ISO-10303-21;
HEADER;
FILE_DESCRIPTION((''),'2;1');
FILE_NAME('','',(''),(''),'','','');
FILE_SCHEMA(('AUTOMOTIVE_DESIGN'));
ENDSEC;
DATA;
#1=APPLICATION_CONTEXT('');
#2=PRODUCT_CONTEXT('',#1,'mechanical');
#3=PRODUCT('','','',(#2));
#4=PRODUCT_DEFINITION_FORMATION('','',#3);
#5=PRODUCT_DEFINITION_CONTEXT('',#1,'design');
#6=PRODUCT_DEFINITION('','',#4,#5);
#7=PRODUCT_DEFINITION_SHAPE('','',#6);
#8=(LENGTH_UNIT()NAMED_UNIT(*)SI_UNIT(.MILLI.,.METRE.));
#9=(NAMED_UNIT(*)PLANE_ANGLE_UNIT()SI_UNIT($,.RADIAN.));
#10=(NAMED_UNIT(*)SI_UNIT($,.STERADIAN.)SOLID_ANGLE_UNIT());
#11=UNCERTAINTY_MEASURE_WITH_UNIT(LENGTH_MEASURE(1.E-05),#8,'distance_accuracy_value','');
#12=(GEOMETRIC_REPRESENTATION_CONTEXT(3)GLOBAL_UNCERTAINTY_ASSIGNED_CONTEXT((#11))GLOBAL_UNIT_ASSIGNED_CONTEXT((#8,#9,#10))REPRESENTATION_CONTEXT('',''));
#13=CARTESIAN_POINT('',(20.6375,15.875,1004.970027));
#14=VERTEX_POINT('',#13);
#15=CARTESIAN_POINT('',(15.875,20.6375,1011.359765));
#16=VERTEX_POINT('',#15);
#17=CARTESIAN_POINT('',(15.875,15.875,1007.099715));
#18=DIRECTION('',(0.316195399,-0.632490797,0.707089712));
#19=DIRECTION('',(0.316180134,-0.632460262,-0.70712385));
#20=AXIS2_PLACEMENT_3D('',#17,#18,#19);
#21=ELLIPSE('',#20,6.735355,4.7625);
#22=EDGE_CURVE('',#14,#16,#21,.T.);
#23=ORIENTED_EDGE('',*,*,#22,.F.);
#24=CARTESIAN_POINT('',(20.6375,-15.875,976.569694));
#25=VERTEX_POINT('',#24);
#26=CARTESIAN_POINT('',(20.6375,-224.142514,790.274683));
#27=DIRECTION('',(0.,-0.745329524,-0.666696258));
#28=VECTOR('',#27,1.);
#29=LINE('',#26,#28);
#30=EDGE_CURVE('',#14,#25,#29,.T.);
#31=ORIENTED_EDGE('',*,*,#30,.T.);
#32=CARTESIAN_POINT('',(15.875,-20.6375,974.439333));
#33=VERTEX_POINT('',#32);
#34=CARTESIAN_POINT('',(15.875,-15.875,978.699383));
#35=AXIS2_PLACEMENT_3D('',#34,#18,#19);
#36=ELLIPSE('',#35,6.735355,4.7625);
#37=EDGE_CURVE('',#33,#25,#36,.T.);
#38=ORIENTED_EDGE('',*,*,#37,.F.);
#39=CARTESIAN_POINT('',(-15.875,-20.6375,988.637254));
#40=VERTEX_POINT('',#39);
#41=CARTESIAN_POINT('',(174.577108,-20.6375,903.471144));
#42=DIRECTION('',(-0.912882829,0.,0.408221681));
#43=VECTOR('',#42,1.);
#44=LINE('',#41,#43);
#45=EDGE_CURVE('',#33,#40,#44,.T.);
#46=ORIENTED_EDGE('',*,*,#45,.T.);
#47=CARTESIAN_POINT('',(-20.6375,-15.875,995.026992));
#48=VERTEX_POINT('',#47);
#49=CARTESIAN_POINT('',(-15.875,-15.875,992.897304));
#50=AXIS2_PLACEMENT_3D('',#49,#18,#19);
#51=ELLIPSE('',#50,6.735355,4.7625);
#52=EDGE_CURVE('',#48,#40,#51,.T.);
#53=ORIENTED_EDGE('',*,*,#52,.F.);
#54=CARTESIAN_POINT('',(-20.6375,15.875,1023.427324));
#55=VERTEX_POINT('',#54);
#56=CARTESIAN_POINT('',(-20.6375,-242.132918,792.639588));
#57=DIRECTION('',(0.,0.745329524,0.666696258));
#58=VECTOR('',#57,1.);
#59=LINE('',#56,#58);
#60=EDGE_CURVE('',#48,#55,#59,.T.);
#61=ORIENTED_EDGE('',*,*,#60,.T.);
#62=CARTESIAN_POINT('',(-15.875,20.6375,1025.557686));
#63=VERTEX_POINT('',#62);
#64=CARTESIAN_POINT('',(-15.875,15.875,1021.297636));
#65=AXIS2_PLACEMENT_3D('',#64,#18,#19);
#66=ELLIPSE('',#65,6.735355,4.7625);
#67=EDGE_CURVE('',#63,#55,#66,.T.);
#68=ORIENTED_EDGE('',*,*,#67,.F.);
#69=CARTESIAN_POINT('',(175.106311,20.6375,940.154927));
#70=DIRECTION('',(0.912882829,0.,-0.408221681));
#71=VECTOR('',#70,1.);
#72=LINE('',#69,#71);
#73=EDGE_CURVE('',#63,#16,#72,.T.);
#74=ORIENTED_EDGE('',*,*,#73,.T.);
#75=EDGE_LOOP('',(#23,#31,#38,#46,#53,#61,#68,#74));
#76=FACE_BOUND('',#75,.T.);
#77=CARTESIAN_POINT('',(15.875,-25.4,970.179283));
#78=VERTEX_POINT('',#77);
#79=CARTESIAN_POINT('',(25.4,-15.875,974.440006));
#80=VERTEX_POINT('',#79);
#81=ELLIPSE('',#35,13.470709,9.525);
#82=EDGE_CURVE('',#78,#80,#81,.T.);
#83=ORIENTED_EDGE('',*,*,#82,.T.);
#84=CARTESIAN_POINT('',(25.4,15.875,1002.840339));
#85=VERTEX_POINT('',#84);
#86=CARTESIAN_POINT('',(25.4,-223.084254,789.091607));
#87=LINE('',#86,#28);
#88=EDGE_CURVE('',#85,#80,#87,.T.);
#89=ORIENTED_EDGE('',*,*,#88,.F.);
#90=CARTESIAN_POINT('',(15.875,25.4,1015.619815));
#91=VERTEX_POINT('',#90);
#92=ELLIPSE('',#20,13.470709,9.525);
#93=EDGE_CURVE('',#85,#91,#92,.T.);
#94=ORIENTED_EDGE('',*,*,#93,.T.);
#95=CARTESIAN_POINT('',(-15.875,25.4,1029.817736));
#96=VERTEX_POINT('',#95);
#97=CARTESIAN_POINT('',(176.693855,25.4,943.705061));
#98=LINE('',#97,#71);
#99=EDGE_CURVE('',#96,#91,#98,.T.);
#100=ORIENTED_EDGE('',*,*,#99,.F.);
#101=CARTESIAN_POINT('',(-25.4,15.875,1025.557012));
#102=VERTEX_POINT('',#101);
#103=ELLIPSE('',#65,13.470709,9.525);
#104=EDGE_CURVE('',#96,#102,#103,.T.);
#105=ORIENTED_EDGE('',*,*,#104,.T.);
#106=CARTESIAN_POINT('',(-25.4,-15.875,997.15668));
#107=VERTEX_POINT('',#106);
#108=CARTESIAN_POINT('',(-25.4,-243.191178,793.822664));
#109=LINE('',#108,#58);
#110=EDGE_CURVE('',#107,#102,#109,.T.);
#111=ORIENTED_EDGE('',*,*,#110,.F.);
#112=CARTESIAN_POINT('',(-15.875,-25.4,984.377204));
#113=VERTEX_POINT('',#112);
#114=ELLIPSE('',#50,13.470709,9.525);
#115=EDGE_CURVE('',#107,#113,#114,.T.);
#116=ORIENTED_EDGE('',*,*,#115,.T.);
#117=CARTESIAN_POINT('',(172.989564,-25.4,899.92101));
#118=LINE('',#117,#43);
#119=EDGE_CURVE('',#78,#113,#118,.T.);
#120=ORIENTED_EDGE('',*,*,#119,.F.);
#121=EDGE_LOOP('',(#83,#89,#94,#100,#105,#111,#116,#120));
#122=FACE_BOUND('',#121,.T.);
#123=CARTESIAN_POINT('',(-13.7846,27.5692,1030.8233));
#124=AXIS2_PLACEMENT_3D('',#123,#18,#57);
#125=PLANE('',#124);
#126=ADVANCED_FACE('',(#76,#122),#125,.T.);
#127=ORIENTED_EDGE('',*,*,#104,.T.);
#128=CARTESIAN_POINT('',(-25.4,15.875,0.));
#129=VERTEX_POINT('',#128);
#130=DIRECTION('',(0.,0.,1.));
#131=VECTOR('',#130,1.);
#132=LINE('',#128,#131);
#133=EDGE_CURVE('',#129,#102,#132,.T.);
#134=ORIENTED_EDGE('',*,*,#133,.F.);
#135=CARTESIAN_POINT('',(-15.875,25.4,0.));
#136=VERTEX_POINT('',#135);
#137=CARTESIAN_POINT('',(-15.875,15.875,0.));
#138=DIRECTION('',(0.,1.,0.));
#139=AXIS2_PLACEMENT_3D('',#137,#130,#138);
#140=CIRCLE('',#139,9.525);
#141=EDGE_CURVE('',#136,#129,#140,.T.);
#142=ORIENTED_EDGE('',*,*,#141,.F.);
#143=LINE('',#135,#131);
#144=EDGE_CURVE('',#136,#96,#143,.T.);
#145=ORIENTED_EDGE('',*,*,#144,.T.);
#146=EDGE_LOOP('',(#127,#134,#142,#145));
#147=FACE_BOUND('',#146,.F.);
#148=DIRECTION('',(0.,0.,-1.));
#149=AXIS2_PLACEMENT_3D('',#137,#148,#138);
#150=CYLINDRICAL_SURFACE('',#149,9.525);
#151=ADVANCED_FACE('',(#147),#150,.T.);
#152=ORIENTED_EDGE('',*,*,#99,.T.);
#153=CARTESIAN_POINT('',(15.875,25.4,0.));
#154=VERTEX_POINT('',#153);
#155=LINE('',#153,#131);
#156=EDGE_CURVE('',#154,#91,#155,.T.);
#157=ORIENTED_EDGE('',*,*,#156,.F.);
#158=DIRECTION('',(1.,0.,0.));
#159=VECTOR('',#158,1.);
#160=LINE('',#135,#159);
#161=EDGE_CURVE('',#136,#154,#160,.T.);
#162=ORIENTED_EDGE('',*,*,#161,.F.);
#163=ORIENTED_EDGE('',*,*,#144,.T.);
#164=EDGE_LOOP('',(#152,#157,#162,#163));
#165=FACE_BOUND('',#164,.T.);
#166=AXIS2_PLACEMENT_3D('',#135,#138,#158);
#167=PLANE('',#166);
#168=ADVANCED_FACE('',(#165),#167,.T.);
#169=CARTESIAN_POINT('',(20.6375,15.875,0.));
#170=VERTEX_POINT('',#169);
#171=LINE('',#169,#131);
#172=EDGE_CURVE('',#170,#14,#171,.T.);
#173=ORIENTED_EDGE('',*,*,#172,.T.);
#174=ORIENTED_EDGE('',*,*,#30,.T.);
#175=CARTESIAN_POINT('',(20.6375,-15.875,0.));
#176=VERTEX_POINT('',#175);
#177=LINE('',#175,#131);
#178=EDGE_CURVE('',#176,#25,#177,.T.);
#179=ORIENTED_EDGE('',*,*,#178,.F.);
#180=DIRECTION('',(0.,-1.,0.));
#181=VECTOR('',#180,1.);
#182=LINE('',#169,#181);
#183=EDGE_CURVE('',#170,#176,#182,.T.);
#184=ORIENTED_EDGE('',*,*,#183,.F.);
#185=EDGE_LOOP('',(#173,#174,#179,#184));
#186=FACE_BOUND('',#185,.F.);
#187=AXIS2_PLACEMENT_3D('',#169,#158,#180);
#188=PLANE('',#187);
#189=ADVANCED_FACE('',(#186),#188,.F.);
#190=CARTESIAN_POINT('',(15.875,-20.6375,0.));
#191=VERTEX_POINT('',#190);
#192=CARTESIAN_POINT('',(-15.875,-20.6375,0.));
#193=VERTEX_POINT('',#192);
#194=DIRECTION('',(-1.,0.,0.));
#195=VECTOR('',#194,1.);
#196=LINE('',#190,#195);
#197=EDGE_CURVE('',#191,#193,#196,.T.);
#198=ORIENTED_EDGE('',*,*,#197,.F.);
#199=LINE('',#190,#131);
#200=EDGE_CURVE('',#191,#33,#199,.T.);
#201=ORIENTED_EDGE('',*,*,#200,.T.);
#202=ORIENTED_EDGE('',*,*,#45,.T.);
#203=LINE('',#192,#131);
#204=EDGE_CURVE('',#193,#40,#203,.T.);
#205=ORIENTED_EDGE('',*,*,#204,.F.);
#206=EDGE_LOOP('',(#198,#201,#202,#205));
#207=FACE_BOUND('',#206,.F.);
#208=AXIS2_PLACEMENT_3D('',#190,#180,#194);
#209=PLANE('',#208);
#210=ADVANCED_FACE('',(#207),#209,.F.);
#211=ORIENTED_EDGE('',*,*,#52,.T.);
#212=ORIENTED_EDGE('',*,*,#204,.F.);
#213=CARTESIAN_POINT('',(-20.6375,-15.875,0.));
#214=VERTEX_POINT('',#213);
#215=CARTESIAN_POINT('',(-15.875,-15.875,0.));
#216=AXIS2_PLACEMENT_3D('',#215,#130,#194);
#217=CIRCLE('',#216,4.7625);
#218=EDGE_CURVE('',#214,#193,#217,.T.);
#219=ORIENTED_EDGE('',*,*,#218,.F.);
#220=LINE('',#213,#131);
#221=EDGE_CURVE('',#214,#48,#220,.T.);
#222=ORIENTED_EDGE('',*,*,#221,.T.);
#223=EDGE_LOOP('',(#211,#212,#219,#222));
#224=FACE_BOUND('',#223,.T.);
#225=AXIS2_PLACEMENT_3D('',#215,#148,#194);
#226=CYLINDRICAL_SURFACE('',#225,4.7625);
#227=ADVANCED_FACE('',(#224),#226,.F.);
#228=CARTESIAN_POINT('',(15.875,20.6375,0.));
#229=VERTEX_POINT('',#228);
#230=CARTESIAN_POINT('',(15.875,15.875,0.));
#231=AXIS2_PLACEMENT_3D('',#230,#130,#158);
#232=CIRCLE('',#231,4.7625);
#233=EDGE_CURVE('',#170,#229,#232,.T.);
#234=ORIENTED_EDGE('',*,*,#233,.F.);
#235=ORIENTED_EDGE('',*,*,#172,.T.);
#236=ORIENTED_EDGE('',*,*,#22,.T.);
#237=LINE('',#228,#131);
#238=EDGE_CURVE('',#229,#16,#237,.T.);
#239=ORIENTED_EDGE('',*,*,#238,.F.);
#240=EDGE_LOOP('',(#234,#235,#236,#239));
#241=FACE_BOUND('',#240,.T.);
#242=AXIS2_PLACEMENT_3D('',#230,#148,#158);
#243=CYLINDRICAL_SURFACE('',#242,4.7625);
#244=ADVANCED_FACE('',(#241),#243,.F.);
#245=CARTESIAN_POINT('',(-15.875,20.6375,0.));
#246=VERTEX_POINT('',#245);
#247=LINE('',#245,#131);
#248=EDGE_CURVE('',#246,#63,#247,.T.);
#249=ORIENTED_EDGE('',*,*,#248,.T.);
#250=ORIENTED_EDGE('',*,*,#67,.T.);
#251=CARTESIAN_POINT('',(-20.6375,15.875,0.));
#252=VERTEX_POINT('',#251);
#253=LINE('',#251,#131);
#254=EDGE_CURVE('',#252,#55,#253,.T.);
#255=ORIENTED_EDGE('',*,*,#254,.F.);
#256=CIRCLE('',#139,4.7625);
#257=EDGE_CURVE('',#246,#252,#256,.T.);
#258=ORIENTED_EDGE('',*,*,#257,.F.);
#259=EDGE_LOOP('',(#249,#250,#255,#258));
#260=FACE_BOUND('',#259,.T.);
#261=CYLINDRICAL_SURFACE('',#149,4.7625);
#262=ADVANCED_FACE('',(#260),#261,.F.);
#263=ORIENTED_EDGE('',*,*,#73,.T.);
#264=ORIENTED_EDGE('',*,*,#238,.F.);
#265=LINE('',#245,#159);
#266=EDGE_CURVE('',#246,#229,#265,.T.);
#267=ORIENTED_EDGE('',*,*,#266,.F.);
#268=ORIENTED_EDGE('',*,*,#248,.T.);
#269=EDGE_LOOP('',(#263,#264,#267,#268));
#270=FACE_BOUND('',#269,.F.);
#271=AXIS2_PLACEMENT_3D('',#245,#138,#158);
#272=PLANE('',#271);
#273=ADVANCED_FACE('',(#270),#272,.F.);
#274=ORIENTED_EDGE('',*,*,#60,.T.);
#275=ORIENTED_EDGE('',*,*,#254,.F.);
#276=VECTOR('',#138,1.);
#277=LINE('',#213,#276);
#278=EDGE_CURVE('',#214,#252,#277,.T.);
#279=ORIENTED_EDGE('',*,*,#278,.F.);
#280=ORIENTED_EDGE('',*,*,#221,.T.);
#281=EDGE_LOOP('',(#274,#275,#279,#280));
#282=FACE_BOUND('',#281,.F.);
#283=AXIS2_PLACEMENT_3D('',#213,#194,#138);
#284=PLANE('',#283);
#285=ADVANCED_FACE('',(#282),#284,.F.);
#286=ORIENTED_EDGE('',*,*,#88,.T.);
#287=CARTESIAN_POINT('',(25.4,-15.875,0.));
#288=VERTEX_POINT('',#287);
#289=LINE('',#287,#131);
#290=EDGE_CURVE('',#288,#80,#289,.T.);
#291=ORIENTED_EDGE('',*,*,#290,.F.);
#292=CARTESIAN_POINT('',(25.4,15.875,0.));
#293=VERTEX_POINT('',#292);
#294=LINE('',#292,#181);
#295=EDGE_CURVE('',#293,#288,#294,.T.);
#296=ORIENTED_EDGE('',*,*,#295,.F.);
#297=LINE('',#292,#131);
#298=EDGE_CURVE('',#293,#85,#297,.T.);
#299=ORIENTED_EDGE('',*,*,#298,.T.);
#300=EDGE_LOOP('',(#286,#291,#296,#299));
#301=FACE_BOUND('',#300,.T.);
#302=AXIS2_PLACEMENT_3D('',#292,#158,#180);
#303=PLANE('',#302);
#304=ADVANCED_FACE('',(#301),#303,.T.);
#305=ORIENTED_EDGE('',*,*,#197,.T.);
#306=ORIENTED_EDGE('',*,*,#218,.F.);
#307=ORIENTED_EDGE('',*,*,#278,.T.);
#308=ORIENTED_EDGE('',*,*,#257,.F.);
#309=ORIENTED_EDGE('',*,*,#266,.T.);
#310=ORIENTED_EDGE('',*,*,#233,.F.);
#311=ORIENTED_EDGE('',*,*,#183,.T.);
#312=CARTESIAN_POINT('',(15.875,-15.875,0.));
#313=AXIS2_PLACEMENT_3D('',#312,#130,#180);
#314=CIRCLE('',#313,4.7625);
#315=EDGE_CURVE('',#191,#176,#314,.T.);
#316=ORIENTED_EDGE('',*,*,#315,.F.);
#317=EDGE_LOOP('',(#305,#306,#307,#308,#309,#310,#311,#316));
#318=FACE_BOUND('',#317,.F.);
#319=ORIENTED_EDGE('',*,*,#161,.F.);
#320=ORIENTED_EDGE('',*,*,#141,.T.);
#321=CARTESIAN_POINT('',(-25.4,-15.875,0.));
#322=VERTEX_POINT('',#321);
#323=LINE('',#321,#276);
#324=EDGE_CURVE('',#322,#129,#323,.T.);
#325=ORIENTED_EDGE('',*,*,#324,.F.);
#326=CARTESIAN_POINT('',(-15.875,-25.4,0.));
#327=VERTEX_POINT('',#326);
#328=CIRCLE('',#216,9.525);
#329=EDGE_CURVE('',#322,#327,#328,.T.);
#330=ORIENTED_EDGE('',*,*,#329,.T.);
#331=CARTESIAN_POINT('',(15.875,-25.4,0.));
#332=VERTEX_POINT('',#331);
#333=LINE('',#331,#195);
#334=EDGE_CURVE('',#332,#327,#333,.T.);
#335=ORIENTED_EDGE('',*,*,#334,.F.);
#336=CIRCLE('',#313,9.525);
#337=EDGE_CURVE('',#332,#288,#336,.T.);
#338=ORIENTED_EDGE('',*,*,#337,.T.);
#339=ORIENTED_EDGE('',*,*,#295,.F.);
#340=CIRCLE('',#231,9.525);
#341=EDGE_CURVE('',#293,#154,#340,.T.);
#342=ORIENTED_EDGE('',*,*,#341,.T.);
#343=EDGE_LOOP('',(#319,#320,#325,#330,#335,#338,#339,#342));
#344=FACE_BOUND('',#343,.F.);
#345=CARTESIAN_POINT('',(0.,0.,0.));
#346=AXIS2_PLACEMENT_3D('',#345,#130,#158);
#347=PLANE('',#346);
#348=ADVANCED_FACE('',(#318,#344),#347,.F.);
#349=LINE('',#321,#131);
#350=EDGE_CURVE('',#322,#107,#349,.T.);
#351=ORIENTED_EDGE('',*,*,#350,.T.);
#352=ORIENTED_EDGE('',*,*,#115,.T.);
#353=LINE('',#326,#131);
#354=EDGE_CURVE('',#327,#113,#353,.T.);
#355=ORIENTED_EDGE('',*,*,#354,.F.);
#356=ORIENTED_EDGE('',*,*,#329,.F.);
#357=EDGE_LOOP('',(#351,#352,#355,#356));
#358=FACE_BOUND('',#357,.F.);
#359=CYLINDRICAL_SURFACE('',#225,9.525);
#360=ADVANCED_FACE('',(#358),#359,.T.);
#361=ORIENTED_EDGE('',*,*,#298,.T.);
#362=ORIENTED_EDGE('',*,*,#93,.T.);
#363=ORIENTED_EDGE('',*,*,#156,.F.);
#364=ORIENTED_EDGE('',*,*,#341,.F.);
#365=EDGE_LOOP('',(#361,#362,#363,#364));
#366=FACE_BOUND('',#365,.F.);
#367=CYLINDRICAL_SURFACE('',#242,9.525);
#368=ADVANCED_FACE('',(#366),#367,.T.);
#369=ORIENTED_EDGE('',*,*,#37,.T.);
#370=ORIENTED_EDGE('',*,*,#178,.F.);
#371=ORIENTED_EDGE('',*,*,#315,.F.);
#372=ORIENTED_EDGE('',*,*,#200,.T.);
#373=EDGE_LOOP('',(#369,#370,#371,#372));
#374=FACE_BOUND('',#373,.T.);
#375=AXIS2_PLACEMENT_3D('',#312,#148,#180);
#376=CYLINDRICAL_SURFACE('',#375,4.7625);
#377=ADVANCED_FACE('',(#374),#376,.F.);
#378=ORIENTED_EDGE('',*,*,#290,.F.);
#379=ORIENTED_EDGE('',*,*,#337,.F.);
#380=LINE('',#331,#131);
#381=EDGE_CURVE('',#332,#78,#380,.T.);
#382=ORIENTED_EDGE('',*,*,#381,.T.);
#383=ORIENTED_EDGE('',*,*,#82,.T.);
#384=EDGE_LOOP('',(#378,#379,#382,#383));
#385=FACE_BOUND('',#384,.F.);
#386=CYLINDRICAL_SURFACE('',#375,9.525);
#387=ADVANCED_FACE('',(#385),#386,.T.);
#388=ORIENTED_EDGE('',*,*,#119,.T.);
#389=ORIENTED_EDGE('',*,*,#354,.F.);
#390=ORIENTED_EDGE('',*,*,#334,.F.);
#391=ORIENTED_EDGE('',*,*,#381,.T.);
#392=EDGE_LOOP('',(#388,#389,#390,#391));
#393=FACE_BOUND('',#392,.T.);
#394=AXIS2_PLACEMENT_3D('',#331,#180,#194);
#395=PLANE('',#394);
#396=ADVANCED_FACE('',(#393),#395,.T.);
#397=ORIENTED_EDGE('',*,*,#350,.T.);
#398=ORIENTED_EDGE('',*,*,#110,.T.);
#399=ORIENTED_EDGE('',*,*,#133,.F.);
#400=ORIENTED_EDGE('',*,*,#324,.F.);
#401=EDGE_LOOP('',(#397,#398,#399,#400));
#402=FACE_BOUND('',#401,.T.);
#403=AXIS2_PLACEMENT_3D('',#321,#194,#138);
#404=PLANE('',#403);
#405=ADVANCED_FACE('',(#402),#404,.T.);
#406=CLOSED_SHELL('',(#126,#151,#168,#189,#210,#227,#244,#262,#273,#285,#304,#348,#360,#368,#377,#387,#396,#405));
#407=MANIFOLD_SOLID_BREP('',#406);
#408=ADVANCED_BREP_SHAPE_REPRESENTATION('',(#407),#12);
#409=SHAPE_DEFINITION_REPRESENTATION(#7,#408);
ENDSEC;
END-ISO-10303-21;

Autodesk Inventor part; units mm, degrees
ref_plane "Plano inicial" through (0, 0, 0) normal (0, 0, 1) x (1, 0, 0)
ref_plane "Plano final" through (0, 0, 1034.0777) normal (0, 0, 1) x (1, 0, 0)
sketch "Esboço" plane through (0, 0, 0) normal (0, 0, 1) x (1, 0, 0)
  line L0 (-25.4, -15.875) -> (-25.4, 15.875)
  line L1 (-15.875, 25.4) -> (15.875, 25.4)
  line L2 (25.4, 15.875) -> (25.4, -15.875)
  line L3 (15.875, -25.4) -> (-15.875, -25.4)
  arc A0 (-25.4, -15.875) -> (-15.875, -25.4) centre (-15.875, -15.875) ccw
  arc A1 (-15.875, 25.4) -> (-25.4, 15.875) centre (-15.875, 15.875) ccw
  arc A2 (25.4, 15.875) -> (15.875, 25.4) centre (15.875, 15.875) ccw
  arc A3 (15.875, -25.4) -> (25.4, -15.875) centre (15.875, -15.875) ccw
  arc A4 (-15.875, 20.6375) -> (-20.6375, 15.875) centre (-15.875, 15.875) ccw
  line L4 (-15.875, 20.6375) -> (15.875, 20.6375)
  arc A5 (20.6375, 15.875) -> (15.875, 20.6375) centre (15.875, 15.875) ccw
  line L5 (20.6375, 15.875) -> (20.6375, -15.875)
  arc A6 (15.875, -20.6375) -> (20.6375, -15.875) centre (15.875, -15.875) ccw
  line L6 (15.875, -20.6375) -> (-15.875, -20.6375)
  arc A7 (-20.6375, -15.875) -> (-15.875, -20.6375) centre (-15.875, -15.875) ccw
  line L7 (-20.6375, -15.875) -> (-20.6375, 15.875)
  line L8 (0, 38.3218) -> (0, -38.3218) construction
  line L9 (-38.3218, 0) -> (38.3218, 0) construction
  dimension "d10" = 50.8
  dimension "d11" = 50.8
  dimension "d12" = 4.7625
  dimension "d15" = 25.4
  dimension "d16" = 25.4
  dimension "d17" = 9.525
extrude "Corpo" add sketch "Esboço" along normal up to surface (1034.0777 mm away) from surface at 0
sketch "Sketch3" plane through (0, 0, 0) normal (0, 0, 1) x (1, 0, 0)
  line L0 (0, 0) -> (10, 0)
ref_plane "Work Plane3" through (0, 0, 0) normal (0, -1, 0) x (1, 0, 0)
sketch "Sketch4" plane through (0, 0, 0) normal (0, -1, 0) x (1, 0, 0)
  line L0 (-2, 0) -> (12, 0)
  line L1 (-2, 1034.0777) -> (12, 1034.0777)
  dimension "d19" = 1034.0777
ref_plane "Plano de trabalho4" through (-13.7846, 27.5692, 1030.8233) normal (0.3162, -0.6325, 0.7071) x (0.9414, 0.1172, -0.3162)
split "Dividir1" plane through (-13.7846, 27.5692, 1030.8233) removes the side toward (0.3162, -0.6325, 0.7071)
equation "\"d10\" = G_H"
equation "\"d11\" = G_W"
equation "\"d12\" = G_T"
equation "\"d15\" = 0.5 * d10"
equation "\"d16\" = 0.5 * d11"
equation "\"d17\" = G_IR"
equation "\"d3\" = G_L"
equation "\"G_W\" = 50.8"
equation "\"G_H\" = 50.8"
equation "\"G_T\" = 4.7625"
equation "\"G_IR\" = 9.525"
equation "\"G_L\" = 1030.79958"
equation "\"G_OFFSET_START\" = 0"
equation "\"G_OFFSET_END\" = 34.07768"
equation "\"d14\" = G_OFFSET_END + B_L"
equation "\"B_L\" = 1000"
properties part number "AISC - 2 x 2 x 3/16 - 40,583" material "Aço, suave"
